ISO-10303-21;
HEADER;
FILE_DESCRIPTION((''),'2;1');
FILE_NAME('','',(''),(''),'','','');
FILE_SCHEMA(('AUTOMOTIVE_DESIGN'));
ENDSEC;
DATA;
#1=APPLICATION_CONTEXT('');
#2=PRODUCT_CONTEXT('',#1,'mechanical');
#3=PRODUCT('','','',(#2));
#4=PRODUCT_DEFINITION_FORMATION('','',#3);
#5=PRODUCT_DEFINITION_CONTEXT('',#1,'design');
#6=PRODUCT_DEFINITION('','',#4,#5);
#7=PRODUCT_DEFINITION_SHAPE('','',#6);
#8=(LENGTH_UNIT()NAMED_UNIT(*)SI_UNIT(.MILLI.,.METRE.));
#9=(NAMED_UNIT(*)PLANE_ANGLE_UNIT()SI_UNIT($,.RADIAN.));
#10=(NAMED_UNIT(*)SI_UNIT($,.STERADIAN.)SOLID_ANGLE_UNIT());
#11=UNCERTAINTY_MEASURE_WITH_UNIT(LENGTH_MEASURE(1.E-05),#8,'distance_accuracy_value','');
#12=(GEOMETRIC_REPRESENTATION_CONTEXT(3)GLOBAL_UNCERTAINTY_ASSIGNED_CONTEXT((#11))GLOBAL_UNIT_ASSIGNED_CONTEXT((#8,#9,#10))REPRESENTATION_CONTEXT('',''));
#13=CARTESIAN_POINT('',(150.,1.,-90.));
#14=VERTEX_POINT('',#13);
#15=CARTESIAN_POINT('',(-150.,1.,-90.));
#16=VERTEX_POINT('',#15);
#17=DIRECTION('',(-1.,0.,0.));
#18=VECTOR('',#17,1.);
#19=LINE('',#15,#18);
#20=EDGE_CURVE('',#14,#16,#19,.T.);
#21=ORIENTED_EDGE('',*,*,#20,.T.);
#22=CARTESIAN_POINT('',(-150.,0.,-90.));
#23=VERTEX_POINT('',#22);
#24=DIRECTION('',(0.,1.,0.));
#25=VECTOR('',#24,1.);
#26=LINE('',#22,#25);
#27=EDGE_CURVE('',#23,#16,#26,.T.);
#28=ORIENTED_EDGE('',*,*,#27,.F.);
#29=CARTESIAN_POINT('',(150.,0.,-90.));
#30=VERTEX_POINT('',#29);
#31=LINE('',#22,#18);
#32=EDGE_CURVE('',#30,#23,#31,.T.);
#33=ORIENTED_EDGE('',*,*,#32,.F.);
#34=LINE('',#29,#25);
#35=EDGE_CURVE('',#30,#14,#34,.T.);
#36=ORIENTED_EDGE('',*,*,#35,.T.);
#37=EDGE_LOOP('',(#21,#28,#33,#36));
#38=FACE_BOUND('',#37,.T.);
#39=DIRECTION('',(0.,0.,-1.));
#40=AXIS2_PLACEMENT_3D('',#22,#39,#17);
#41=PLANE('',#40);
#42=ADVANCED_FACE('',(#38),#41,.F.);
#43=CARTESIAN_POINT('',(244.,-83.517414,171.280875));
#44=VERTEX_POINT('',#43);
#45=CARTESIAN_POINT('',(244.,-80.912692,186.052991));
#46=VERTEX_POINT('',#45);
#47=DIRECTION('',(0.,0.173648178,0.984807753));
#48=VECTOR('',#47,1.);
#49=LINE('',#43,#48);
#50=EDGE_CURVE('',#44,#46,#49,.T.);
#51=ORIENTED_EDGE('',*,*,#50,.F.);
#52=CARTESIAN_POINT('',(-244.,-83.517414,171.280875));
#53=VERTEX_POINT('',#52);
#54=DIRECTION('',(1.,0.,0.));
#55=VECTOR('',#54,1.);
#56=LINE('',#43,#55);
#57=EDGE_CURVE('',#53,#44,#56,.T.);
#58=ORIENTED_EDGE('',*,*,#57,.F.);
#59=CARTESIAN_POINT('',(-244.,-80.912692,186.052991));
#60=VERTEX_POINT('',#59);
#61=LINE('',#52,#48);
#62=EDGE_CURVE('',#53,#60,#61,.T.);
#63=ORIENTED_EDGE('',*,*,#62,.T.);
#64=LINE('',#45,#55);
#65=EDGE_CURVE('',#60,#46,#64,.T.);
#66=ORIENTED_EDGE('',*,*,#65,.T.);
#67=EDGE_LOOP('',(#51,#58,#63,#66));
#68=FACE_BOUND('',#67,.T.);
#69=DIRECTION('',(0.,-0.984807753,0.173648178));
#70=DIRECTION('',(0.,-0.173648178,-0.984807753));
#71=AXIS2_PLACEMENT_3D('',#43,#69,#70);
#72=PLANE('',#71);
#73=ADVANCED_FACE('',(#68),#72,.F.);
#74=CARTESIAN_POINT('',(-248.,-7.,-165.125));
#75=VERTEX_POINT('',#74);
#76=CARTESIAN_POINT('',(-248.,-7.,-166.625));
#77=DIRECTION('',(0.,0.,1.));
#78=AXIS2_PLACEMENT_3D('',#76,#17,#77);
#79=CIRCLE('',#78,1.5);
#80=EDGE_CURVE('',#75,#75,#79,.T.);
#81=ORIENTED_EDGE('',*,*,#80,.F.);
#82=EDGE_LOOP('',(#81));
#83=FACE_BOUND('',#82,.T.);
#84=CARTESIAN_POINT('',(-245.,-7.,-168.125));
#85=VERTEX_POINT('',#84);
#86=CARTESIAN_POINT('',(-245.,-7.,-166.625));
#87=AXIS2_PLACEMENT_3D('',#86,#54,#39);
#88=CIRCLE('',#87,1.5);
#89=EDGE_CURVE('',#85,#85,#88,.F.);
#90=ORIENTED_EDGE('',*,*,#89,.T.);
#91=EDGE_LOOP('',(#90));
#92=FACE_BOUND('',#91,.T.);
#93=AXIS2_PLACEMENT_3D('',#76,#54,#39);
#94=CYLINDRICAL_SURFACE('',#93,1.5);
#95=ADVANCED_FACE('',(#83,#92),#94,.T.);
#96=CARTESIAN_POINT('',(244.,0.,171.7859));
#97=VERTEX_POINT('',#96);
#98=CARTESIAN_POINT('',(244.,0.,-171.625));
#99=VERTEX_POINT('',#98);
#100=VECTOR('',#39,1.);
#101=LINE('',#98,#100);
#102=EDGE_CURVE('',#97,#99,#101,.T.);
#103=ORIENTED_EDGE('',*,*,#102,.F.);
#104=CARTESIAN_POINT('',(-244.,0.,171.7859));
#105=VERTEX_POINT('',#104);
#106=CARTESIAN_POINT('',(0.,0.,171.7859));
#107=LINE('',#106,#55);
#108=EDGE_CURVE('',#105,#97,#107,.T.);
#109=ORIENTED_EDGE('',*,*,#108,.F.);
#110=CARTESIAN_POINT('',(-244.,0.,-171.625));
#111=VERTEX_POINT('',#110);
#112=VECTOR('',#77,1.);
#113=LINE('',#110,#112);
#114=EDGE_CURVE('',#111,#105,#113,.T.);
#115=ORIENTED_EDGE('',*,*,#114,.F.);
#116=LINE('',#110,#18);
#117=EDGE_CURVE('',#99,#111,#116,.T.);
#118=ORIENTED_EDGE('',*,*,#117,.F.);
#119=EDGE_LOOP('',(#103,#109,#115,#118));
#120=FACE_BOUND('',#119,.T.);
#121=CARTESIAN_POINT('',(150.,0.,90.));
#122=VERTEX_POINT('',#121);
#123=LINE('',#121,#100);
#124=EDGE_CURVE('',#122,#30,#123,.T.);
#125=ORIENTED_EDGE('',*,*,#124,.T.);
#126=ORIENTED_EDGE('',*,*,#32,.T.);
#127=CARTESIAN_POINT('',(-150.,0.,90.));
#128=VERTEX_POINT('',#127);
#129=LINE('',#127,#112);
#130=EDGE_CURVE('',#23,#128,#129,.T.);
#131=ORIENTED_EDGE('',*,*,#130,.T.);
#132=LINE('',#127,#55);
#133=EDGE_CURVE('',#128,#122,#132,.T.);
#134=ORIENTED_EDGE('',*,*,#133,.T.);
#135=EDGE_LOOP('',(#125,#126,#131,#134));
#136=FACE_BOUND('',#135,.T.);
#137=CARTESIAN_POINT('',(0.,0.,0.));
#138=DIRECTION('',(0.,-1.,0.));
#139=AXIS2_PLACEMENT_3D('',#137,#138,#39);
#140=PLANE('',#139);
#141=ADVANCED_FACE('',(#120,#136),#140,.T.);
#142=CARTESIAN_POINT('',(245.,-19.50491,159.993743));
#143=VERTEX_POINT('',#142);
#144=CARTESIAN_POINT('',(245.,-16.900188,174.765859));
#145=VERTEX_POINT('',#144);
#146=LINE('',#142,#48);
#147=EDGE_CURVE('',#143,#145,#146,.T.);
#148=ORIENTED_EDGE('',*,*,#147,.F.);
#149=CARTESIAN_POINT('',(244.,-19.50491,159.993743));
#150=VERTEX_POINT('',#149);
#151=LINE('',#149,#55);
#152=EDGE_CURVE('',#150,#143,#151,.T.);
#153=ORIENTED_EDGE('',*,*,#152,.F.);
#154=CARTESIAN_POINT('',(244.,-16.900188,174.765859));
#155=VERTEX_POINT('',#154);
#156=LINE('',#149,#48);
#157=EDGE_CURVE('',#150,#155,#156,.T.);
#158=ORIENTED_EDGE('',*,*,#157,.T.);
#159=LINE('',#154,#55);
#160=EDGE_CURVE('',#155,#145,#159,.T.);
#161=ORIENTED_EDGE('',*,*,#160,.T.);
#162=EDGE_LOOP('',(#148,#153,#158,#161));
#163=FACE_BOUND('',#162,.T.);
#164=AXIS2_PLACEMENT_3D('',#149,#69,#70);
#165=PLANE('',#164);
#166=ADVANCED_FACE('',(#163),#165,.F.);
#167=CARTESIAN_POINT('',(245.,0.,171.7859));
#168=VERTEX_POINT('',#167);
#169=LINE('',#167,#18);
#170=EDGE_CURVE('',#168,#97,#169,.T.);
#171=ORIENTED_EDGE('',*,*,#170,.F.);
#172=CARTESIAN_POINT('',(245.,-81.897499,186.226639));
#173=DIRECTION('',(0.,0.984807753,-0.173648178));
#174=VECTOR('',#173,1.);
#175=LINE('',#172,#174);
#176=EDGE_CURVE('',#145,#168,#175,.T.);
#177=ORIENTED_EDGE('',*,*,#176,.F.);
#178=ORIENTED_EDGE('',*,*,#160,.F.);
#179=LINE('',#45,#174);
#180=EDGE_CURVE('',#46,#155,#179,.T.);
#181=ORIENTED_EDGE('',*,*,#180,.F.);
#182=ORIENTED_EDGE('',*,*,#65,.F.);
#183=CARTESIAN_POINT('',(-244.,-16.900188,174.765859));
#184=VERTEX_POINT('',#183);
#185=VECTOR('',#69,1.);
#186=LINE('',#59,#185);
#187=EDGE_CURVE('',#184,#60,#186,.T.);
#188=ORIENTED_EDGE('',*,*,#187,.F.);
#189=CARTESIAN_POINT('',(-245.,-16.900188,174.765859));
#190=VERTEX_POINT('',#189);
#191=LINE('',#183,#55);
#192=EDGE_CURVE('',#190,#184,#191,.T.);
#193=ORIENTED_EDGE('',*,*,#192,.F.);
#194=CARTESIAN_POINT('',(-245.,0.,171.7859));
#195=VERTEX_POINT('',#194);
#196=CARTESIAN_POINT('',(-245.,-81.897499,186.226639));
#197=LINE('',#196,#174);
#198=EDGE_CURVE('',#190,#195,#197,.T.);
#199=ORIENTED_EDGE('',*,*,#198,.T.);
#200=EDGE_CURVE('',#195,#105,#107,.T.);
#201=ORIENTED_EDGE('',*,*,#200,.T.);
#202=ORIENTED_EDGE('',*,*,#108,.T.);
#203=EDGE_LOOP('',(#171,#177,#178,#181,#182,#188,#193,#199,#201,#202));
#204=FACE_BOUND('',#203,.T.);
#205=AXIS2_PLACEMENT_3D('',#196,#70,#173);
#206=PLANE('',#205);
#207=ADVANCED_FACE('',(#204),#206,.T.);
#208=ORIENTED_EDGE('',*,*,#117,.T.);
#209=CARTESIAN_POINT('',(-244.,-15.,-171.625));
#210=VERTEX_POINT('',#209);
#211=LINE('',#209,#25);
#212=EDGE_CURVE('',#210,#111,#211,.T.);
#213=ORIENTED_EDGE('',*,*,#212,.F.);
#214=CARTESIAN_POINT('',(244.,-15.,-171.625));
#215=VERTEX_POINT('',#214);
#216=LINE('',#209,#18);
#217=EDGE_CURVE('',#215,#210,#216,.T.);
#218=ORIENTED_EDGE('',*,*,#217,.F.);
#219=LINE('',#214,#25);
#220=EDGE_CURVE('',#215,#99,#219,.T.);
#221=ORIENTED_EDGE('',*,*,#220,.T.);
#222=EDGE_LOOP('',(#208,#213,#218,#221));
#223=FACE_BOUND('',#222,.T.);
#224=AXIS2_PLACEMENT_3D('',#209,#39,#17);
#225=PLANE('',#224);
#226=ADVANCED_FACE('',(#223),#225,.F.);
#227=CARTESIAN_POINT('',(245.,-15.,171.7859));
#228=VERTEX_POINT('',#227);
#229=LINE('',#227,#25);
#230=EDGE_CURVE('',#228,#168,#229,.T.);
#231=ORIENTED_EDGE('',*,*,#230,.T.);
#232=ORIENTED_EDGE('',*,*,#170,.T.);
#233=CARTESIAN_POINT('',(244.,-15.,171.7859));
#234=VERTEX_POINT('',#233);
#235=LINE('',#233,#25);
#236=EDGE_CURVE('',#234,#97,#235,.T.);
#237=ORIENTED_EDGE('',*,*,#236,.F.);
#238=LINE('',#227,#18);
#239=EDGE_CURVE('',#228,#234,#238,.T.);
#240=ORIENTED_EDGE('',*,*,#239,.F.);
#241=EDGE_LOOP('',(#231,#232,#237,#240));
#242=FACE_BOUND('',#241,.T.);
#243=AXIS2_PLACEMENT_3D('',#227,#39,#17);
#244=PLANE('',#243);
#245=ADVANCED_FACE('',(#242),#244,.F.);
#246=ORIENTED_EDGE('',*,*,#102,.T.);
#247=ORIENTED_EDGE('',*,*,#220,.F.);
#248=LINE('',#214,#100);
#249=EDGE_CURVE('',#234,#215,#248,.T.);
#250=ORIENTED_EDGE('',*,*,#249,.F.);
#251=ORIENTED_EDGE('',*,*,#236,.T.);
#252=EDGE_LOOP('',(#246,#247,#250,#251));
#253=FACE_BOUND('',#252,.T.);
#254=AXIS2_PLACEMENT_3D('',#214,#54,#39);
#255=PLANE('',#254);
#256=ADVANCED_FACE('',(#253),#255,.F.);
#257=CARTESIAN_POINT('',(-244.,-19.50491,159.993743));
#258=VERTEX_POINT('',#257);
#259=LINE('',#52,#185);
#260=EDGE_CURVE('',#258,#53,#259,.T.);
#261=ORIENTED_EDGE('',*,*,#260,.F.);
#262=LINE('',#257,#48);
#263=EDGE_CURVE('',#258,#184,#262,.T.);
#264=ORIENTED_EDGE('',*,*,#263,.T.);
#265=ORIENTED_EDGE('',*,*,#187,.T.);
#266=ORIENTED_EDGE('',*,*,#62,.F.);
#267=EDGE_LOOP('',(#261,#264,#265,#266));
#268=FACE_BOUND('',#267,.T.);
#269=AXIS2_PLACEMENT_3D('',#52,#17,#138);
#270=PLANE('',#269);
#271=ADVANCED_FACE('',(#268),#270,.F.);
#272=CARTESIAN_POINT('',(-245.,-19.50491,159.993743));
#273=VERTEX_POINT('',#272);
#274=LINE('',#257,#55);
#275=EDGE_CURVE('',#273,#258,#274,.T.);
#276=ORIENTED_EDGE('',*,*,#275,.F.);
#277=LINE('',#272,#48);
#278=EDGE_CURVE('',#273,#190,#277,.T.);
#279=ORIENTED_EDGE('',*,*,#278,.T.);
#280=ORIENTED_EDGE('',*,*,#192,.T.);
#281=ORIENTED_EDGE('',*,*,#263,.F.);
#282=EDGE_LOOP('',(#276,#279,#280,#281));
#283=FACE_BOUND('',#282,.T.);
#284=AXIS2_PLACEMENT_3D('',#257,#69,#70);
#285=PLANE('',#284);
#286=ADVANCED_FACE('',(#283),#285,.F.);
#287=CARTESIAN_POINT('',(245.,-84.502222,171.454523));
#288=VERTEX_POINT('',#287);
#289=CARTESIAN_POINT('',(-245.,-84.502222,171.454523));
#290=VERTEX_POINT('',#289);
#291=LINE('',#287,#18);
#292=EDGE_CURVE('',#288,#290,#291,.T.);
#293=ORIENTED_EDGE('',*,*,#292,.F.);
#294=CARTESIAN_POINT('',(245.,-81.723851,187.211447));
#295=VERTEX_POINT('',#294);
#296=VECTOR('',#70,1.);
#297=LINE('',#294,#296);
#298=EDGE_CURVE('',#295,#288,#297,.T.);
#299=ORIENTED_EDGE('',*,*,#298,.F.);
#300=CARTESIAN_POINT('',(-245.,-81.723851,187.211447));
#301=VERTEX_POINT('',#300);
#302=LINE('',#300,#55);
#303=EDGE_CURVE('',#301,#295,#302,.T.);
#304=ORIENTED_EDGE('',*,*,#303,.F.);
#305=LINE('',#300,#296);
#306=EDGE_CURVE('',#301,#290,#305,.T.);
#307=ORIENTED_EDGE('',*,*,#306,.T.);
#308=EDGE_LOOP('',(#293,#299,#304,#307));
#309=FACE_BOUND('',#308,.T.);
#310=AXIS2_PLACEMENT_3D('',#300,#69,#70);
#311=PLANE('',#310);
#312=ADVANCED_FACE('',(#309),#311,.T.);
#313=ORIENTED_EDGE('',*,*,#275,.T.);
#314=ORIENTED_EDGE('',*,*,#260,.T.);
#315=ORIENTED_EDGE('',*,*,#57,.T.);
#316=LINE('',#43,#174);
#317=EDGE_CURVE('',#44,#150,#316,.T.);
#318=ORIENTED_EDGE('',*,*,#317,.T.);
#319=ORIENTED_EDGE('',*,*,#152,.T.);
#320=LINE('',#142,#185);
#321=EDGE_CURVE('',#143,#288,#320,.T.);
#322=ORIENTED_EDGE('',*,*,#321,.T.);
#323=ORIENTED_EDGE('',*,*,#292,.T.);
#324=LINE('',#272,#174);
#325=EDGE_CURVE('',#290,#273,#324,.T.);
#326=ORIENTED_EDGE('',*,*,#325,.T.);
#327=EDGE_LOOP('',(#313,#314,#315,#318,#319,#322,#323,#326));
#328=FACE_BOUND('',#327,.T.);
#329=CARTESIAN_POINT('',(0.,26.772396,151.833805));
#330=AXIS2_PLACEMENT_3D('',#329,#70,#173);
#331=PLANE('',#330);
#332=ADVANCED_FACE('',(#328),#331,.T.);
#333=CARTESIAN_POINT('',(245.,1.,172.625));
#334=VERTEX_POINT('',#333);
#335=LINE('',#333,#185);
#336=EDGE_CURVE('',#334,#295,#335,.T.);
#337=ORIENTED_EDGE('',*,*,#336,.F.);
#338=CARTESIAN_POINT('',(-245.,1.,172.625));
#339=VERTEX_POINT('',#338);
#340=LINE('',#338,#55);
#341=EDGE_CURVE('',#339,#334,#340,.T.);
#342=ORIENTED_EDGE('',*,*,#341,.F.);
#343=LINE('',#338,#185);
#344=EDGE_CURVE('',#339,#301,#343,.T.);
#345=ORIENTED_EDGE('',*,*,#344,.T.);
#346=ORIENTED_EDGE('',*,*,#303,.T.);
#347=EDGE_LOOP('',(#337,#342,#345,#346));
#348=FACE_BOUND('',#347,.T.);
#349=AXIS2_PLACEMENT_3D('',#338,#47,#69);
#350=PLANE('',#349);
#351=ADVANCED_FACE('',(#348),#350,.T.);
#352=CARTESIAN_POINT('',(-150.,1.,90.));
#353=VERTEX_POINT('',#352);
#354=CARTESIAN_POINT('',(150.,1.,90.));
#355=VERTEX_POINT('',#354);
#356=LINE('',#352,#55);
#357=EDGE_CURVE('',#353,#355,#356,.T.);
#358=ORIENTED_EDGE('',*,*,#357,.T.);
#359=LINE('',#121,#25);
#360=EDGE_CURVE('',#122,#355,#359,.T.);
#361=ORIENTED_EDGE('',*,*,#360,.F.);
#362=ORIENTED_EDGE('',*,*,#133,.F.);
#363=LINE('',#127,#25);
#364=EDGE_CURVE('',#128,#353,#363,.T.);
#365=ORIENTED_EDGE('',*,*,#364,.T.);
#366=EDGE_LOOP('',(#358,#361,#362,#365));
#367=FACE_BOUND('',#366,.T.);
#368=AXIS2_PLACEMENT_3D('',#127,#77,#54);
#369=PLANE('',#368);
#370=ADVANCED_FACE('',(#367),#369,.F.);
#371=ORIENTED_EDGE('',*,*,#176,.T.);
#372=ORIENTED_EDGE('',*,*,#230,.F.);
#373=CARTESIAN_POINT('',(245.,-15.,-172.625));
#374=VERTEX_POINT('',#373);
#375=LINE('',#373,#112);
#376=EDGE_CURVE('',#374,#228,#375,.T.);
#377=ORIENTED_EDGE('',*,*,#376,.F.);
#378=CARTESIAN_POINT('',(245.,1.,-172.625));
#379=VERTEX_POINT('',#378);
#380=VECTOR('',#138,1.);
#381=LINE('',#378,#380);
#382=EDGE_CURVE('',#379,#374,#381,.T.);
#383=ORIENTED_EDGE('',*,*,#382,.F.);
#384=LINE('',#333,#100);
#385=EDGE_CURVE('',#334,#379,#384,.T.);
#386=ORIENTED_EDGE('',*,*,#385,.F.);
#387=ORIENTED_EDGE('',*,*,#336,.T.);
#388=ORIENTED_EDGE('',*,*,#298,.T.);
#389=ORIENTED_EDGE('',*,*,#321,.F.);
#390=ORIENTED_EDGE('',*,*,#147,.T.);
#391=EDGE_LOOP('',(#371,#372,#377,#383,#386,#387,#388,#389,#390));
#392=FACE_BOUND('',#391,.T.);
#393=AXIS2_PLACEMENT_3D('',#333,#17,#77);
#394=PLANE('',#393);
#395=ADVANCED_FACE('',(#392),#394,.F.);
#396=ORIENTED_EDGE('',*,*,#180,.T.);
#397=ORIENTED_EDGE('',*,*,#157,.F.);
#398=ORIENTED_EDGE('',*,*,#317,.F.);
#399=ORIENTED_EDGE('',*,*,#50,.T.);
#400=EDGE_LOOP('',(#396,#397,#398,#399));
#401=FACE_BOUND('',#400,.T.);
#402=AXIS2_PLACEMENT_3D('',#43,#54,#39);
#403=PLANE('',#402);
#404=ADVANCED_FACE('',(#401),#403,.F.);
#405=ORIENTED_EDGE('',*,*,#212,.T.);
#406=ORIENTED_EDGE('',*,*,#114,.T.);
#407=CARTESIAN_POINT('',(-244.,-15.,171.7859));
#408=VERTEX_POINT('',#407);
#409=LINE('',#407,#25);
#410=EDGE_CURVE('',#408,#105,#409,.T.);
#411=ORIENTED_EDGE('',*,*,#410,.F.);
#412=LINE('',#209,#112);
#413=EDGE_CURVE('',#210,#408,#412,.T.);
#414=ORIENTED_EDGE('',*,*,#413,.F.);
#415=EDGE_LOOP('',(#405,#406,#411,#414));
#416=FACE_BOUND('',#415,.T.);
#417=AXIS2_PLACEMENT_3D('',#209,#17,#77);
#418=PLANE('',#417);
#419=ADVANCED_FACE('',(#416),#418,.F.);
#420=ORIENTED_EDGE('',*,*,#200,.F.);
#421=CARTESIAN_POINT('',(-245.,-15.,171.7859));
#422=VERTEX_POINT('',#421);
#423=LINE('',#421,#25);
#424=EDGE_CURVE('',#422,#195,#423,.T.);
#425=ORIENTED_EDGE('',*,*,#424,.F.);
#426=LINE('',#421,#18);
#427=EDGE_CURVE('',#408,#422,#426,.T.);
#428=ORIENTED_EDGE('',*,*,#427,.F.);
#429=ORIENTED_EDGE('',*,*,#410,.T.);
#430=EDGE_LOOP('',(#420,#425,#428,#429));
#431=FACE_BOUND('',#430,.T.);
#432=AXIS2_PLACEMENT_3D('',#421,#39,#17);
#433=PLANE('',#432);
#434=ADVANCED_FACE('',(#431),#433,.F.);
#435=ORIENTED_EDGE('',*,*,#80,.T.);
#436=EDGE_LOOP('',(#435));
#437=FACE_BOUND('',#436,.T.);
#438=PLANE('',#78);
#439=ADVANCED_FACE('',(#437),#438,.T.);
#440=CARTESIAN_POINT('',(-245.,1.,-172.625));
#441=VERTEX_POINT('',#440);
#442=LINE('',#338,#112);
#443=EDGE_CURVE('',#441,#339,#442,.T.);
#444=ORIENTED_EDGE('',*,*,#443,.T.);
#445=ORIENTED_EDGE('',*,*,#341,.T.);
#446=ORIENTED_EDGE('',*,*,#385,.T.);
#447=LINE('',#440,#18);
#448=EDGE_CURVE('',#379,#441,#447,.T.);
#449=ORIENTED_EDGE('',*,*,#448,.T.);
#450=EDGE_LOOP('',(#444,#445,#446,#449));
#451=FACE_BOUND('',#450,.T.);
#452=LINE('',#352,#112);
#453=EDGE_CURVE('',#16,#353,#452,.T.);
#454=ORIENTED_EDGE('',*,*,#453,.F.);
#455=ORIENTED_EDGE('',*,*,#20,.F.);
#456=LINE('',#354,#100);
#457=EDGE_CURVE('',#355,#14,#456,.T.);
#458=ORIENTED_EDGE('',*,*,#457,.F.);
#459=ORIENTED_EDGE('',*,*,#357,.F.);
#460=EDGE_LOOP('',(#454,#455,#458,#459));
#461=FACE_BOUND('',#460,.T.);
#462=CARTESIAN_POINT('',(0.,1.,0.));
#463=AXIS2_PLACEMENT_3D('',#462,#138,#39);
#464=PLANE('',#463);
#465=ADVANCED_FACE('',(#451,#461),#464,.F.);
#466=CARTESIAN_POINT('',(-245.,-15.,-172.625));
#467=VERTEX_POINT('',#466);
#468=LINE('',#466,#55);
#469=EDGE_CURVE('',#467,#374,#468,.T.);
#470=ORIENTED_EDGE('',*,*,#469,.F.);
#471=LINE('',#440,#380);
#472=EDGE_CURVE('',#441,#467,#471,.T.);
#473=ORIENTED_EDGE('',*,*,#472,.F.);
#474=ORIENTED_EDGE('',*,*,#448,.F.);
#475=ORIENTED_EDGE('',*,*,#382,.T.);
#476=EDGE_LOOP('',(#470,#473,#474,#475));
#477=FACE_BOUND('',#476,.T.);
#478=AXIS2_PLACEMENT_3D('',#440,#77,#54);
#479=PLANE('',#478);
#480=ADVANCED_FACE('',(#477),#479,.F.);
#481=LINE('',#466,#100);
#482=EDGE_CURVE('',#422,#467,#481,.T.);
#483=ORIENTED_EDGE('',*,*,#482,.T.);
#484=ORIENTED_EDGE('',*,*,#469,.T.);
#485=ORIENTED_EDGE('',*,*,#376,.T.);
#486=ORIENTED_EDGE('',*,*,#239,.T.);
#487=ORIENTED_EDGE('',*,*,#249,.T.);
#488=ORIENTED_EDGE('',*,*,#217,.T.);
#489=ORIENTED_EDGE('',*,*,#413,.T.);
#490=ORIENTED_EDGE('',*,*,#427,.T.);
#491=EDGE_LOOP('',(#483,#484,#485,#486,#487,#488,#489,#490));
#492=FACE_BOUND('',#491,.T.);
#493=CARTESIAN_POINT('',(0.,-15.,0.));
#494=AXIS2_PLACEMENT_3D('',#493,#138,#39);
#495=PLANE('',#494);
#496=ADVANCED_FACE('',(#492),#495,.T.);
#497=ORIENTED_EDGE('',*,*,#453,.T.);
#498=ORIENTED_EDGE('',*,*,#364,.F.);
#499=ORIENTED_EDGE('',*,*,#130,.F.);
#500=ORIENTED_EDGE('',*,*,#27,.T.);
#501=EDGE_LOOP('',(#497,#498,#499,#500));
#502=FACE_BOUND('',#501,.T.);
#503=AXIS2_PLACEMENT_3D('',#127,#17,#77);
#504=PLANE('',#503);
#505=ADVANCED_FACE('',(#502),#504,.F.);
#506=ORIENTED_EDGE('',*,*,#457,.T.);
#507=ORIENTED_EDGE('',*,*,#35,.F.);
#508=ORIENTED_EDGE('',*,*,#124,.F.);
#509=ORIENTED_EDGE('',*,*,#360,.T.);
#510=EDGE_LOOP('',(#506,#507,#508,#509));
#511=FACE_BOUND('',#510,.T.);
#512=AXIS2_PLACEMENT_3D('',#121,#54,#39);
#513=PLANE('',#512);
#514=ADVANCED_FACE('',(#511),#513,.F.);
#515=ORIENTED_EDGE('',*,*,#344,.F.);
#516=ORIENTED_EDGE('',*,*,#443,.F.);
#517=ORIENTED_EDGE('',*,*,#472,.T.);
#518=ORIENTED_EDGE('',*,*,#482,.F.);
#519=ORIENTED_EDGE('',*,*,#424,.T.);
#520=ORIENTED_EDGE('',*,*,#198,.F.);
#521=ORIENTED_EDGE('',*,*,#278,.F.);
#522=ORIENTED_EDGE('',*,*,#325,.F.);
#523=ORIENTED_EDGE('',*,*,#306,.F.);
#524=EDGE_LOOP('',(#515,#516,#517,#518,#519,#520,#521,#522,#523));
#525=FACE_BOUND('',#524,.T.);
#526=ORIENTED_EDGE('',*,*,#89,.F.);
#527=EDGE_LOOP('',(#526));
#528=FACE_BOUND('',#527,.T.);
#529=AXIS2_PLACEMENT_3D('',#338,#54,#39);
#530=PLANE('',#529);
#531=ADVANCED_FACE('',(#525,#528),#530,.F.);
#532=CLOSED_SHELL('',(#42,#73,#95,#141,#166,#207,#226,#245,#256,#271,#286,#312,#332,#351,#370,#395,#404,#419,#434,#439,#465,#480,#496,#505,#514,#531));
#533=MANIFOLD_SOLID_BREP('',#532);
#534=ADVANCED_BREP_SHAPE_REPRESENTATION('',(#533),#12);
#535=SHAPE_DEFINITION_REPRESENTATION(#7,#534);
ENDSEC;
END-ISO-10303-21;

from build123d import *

# Parameters (mm, degrees)
CROQUIS1_W              = 490
CROQUIS1_H              = 345.25
SALIENTE_EXTRUIR1_DEPTH = 1
CROQUIS2_W              = 300
CROQUIS2_H              = 180
CORTAR_EXTRUIR1_DEPTH   = 2
SALIENTE_EXTRUIR2_DEPTH = 490
SALIENTE_EXTRUIR3_DEPTH = 15
SALIENTE_EXTRUIR4_DEPTH = 15
CROQUIS6_R              = 1.5
SALIENTE_EXTRUIR5_DEPTH = 3


with BuildPart() as part:
    # Croquis1 → Saliente-Extruir1 (new body)
    with BuildSketch(Plane(origin=(0, 0, 0), x_dir=(1, 0, 0), z_dir=(0, 1, 0))):
        Rectangle(CROQUIS1_W, CROQUIS1_H)
    extrude(amount=SALIENTE_EXTRUIR1_DEPTH)

    # Croquis2 → Cortar-Extruir1 (cut, through all)
    with BuildSketch(Plane(origin=(0, 1, 0), x_dir=(1, 0, 0), z_dir=(0, 1, 0))):
        Rectangle(CROQUIS2_W, CROQUIS2_H)
    extrude(amount=-CORTAR_EXTRUIR1_DEPTH, mode=Mode.SUBTRACT)

    # Croquis3 → Saliente-Extruir2 (add, through all)
    with BuildSketch(Plane(origin=(245, 0, 0), x_dir=(0, 0, -1), z_dir=(1, 0, 0))):
        Polygon((-172.625, 1), (-187.211446924, -81.723851253), (-186.226639171, -81.897499431), (-171.609573388, 1), align=None)
    extrude(amount=-SALIENTE_EXTRUIR2_DEPTH)

    # Croquis4 → Saliente-Extruir3 (add)
    with BuildSketch(Plane.XZ):
        Polygon((-245, -172.625), (-245, 171.785900369), (-244, 171.785900369), (-244, -171.625), (244, -171.625), (244, 171.785900369), (245, 171.785900369), (245, -172.625), align=None)
    extrude(amount=SALIENTE_EXTRUIR3_DEPTH)

    # Croquis5 → Saliente-Extruir4 (add)
    with BuildSketch(Plane(origin=(0, 29.377119133, 166.60592165), x_dir=(-1, 0, 0), z_dir=(0, -0.173648178, -0.984807753))):
        Polygon((-244, -111.991208917), (-244, -46.991208917), (-245, -46.991208917), (-245, -112.991208917), (245, -112.991208917), (245, -46.991208917), (244, -46.991208917), (244, -111.991208917), align=None)
    extrude(amount=SALIENTE_EXTRUIR4_DEPTH)

    # Croquis6 → Saliente-Extruir5 (add)
    with BuildSketch(Plane.ZY.offset(245)):
        with Locations((-166.625, -7)):
            Circle(CROQUIS6_R)
    extrude(amount=SALIENTE_EXTRUIR5_DEPTH)


solid = part.part
